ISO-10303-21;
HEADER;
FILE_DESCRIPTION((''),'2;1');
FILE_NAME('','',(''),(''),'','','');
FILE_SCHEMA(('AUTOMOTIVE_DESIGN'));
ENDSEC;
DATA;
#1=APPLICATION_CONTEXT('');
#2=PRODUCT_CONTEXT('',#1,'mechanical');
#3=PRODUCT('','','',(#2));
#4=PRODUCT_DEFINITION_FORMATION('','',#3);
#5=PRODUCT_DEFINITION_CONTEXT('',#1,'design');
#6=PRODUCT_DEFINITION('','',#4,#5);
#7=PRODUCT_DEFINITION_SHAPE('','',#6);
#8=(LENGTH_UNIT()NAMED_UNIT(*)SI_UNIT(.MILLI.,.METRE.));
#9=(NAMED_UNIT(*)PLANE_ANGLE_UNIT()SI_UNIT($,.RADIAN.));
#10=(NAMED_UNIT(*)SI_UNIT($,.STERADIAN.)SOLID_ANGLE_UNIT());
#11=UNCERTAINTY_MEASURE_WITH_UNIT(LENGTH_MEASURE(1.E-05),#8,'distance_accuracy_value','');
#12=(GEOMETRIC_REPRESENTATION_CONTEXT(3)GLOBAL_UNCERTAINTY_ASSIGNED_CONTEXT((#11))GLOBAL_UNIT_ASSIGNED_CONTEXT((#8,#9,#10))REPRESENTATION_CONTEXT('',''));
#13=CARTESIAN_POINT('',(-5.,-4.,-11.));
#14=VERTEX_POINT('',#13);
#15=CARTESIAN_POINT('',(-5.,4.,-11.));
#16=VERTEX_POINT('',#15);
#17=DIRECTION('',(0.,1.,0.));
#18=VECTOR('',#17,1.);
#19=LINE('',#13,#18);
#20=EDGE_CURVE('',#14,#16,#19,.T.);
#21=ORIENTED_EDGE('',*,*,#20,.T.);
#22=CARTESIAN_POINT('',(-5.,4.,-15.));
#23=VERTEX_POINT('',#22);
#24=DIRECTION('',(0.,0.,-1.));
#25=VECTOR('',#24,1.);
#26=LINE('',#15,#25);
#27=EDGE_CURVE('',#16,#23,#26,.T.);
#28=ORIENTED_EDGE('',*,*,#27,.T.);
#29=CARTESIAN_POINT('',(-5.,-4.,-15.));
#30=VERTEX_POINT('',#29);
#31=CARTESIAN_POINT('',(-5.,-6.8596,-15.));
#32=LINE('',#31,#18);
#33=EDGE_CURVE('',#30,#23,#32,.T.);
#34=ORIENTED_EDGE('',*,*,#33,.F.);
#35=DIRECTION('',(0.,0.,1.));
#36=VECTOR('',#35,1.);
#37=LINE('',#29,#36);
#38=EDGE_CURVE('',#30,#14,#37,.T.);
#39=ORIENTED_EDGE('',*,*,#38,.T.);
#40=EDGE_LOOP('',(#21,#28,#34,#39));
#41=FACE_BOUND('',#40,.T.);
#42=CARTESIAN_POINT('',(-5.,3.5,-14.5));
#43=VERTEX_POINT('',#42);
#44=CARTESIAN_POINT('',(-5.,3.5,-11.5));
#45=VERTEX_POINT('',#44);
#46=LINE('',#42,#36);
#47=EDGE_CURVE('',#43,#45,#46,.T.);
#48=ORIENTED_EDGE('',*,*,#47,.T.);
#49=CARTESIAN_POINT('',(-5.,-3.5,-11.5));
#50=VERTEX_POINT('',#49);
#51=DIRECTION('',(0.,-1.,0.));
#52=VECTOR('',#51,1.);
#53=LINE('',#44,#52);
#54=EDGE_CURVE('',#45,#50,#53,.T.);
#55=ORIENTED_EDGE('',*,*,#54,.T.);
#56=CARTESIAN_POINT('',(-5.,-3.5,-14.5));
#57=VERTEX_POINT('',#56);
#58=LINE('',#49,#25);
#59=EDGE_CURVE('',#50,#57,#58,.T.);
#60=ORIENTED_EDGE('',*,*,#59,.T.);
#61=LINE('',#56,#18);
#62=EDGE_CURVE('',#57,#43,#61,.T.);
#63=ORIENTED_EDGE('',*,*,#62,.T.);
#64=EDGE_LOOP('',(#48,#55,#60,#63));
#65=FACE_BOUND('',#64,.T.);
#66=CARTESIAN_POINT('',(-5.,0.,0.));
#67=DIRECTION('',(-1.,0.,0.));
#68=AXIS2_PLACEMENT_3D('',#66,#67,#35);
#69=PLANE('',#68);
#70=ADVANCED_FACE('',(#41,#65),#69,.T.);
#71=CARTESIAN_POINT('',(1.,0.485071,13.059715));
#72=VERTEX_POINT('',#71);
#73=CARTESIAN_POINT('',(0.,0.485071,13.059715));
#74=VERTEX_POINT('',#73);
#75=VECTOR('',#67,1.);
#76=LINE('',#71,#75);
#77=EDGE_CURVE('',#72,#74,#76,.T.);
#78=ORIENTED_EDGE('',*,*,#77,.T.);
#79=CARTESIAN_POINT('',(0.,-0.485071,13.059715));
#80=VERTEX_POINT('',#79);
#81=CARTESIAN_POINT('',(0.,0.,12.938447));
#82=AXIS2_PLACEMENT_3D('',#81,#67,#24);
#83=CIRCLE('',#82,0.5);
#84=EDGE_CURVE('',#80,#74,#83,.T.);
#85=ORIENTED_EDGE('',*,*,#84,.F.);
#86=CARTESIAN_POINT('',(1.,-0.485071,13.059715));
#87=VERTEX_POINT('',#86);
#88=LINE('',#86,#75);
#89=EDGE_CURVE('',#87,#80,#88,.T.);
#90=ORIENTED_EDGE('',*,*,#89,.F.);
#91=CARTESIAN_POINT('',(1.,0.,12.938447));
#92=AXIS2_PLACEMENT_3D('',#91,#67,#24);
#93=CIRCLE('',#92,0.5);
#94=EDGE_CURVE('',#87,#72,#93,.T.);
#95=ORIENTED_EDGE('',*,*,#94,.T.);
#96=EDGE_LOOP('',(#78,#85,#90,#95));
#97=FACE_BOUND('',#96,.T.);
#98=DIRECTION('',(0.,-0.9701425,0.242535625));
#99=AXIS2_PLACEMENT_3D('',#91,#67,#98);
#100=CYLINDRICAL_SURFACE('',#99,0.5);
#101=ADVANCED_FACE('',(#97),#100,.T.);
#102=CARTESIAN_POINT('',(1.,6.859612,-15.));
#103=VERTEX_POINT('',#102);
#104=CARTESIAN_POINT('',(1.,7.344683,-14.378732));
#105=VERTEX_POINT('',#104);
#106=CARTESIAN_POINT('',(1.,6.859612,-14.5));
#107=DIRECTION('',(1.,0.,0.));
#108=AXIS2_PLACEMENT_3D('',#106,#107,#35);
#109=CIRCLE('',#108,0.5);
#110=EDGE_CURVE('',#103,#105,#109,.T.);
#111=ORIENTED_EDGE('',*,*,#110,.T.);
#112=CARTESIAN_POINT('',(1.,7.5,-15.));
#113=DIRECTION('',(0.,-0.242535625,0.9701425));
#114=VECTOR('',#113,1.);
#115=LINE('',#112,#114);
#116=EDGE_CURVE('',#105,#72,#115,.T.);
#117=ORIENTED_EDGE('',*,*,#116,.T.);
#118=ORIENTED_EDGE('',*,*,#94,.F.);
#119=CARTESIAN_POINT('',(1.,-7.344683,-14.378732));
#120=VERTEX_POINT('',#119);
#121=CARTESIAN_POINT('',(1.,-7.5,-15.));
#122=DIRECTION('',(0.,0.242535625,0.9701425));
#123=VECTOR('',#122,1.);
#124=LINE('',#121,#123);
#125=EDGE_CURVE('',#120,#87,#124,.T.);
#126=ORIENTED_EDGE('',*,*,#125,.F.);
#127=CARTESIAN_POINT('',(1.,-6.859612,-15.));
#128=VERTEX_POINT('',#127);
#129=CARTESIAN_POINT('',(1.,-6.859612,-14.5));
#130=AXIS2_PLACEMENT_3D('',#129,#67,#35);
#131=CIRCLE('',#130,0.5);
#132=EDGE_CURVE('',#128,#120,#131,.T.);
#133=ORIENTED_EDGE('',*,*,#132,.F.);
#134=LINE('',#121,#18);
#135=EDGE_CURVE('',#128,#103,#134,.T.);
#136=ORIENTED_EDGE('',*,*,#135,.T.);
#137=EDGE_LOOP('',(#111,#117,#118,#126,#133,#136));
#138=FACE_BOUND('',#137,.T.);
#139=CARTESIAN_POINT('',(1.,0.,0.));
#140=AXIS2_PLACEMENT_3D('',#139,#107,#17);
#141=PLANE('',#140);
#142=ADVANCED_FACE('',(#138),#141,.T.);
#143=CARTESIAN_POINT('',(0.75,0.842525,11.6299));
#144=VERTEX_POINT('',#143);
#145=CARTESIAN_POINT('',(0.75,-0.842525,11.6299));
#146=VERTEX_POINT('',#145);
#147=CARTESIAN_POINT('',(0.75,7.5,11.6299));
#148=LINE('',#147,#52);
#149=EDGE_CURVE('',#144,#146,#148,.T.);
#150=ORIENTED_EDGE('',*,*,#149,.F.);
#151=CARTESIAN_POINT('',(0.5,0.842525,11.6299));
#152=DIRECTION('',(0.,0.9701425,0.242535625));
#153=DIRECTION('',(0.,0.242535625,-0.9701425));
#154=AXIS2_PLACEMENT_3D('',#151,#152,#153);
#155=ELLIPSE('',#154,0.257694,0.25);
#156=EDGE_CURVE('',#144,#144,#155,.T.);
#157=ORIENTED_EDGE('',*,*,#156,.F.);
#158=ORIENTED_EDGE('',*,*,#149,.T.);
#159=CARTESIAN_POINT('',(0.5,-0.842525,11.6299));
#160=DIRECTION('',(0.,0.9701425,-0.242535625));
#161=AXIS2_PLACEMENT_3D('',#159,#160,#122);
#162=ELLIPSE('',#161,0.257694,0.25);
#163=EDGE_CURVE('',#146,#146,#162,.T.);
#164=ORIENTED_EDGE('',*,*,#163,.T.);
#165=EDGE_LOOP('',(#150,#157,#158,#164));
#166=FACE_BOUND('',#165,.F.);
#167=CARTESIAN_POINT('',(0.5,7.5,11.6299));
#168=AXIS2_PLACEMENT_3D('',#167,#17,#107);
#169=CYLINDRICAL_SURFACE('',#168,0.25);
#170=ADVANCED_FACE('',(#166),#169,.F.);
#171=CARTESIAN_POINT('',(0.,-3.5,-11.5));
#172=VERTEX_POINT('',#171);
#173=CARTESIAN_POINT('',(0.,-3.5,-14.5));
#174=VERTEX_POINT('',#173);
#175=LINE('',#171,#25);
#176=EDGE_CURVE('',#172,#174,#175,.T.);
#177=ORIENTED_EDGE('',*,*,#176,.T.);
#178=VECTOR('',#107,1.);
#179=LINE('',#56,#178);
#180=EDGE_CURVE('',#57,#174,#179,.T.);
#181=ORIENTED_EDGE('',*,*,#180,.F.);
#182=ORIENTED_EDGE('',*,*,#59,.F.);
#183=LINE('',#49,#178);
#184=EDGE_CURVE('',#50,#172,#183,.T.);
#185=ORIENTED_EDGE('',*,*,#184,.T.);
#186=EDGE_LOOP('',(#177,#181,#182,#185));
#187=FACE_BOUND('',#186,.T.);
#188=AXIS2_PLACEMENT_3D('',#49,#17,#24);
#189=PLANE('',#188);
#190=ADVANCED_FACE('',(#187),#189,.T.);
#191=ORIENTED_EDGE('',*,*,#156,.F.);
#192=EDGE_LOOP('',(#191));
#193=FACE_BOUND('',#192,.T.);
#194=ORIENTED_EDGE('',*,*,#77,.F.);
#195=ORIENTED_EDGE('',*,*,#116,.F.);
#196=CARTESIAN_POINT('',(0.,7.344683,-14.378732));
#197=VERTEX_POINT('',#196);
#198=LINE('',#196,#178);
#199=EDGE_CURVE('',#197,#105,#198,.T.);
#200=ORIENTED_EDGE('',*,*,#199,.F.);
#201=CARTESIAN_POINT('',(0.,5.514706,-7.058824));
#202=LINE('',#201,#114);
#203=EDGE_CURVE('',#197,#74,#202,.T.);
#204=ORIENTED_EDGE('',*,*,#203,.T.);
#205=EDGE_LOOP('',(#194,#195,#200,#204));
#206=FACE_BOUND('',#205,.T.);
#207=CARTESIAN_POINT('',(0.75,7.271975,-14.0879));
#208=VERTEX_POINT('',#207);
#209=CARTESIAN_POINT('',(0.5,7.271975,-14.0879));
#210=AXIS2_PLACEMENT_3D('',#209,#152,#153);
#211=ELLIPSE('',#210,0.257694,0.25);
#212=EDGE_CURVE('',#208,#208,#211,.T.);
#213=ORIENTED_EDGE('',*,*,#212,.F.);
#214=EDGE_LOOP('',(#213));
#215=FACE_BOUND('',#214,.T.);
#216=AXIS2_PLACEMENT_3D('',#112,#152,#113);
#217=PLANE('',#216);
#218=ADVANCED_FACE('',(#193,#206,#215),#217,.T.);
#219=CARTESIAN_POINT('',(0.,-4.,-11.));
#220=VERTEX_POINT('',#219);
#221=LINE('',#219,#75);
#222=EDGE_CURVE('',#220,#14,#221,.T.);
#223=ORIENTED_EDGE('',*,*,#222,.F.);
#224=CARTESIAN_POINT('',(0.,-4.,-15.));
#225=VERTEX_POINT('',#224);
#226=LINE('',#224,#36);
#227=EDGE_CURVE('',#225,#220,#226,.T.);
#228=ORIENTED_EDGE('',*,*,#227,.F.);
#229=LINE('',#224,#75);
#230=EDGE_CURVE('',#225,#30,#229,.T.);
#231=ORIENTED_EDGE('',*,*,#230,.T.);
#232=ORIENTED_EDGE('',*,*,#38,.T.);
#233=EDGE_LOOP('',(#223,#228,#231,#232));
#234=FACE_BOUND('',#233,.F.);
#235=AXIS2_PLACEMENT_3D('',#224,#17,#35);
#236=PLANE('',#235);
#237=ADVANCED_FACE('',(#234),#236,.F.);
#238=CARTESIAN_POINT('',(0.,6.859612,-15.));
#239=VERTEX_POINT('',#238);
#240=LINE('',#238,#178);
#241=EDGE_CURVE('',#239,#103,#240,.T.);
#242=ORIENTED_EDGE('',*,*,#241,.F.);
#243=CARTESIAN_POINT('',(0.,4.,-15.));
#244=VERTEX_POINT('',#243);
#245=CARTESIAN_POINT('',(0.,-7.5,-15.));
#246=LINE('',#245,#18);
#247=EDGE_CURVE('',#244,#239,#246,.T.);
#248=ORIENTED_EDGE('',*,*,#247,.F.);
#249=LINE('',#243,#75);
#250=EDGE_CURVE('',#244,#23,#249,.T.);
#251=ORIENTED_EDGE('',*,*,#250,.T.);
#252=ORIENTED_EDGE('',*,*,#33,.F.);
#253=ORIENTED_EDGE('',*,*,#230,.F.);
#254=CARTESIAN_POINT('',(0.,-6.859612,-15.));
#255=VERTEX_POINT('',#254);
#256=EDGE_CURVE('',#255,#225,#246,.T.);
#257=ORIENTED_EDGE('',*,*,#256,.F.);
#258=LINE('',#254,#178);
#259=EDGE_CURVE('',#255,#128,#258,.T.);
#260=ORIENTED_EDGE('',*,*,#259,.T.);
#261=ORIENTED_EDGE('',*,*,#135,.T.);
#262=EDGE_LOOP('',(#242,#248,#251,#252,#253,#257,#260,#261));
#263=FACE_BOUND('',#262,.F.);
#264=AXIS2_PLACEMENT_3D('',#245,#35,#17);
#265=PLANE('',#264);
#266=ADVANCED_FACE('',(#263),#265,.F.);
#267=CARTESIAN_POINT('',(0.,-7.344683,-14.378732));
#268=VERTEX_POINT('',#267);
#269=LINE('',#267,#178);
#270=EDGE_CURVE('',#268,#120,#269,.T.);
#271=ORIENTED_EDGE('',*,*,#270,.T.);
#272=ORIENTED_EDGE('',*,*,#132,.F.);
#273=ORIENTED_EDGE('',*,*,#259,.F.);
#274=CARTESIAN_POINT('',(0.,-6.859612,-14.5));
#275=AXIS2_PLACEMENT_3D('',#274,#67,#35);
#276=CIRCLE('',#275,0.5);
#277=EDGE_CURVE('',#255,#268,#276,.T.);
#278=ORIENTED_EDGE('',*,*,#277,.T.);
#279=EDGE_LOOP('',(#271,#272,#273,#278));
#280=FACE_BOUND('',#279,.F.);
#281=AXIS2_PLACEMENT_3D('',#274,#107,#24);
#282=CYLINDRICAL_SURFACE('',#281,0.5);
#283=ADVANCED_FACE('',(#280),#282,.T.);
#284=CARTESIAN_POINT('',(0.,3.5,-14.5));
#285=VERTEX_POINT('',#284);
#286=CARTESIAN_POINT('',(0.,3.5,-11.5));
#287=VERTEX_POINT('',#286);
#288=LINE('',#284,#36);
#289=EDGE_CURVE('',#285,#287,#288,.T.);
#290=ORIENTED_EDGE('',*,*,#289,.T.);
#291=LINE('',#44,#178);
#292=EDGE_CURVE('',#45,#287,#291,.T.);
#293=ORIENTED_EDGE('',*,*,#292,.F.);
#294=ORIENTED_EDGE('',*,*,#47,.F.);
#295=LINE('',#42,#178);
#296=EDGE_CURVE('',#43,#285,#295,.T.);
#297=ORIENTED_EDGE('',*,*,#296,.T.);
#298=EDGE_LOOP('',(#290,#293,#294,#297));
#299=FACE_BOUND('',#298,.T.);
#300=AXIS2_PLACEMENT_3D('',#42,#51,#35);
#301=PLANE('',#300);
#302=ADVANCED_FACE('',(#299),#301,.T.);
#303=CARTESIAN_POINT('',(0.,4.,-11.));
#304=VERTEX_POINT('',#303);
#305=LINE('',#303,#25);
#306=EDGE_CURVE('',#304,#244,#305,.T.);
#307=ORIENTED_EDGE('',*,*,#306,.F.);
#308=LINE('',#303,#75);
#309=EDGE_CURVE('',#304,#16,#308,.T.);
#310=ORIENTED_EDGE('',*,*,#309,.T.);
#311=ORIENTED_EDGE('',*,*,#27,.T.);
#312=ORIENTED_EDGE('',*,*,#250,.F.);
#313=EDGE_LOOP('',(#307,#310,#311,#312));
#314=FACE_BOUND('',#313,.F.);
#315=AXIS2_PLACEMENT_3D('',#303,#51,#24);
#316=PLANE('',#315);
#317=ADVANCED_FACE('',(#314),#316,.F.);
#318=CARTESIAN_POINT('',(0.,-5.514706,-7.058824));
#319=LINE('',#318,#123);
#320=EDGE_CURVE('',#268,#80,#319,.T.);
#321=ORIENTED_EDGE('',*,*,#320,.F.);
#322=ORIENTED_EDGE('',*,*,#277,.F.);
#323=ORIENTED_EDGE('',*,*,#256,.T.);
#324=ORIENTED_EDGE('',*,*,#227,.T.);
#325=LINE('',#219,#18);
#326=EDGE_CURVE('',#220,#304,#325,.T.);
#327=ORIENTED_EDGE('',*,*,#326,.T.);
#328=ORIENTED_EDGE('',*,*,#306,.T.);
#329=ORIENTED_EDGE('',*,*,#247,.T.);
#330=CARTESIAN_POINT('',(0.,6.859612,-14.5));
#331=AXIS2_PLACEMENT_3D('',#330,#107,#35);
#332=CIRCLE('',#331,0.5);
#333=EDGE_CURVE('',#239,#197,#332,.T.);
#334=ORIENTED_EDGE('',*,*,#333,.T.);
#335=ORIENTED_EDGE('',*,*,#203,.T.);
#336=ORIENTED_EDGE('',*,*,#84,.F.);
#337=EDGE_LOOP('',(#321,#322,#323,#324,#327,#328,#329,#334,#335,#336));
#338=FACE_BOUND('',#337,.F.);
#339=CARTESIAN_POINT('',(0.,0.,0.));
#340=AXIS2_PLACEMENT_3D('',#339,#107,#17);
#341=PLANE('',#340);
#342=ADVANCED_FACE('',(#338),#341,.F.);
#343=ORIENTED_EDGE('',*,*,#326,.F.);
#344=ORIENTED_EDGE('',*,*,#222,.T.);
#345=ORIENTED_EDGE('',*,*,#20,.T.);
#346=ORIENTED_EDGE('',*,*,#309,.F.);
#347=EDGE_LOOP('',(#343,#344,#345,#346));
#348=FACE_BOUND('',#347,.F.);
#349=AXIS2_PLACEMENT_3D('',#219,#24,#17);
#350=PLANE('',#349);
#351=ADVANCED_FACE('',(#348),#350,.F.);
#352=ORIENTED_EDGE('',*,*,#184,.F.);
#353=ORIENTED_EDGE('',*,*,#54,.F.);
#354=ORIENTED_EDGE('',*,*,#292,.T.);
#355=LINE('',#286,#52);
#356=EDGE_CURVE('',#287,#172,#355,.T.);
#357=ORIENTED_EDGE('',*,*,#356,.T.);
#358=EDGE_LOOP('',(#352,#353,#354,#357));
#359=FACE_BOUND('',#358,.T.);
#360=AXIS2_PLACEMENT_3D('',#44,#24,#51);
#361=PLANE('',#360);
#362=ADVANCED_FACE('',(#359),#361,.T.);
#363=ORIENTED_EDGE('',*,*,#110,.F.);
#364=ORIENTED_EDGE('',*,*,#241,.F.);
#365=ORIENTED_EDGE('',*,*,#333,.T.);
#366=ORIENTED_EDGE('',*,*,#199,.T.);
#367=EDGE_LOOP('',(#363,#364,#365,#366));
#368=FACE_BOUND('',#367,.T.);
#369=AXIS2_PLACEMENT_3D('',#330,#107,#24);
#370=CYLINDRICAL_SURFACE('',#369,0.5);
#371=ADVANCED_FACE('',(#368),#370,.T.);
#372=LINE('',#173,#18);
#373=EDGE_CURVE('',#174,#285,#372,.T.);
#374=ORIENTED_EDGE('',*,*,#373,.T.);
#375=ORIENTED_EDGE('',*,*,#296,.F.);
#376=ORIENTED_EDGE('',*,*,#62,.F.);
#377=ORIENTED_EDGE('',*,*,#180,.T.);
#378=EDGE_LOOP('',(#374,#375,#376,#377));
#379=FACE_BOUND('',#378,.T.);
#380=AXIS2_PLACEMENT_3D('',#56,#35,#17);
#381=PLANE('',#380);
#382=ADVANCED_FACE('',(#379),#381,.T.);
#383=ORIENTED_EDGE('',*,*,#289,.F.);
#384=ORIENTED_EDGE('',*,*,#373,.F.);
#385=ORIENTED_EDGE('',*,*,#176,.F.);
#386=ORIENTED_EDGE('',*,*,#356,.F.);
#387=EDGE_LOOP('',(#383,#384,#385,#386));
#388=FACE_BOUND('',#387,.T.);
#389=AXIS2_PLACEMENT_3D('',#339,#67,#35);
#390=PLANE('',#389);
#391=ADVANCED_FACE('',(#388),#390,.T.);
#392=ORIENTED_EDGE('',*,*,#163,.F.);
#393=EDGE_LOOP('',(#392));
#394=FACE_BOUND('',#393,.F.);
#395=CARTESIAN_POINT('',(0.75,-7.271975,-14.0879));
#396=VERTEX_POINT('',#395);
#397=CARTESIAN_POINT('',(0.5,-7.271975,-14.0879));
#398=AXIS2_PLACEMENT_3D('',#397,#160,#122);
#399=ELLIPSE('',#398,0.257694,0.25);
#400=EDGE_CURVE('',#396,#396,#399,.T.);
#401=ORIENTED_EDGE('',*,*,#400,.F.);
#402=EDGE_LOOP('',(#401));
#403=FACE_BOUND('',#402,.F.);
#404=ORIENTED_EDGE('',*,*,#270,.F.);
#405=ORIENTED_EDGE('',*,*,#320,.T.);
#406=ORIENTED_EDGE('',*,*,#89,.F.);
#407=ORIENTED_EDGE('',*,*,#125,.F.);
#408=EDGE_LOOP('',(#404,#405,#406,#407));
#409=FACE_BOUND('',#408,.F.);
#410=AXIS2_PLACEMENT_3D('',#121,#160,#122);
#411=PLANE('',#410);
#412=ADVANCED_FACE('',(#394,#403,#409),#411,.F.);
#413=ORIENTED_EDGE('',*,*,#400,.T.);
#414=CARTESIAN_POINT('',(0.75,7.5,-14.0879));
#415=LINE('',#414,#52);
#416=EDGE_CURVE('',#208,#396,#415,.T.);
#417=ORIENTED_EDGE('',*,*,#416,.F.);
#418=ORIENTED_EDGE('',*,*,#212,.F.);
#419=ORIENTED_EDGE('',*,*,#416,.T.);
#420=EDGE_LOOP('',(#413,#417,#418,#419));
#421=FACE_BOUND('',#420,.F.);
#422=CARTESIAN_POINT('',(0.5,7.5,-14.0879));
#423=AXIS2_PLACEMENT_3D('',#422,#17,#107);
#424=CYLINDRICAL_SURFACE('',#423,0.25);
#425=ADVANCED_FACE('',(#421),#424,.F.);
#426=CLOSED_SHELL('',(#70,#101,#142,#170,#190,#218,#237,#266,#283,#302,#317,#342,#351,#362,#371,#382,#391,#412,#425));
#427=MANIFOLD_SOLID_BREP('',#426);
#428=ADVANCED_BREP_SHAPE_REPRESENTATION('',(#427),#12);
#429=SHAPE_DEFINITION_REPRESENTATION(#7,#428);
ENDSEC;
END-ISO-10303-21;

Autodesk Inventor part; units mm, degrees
ref_plane "YZ Plane" through (0, 0, 0) normal (1, 0, 0) x (0, 1, 0)
ref_plane "XZ Plane" through (0, 0, 0) normal (0, 1, 0) x (-1, 0, 0)
ref_plane "XY Plane" through (0, 0, 0) normal (0, 0, 1) x (1, 0, 0)
sketch "Sketch1" plane through (0, 0, 0) normal (1, 0, 0) x (0, 1, 0)
  line L0 (7.5, 15) -> (-7.5, 15)
  line L1 (-7.5, 15) -> (-7.5, -15)
  line L2 (-7.5, -15) -> (7.5, -15)
  line L3 (7.5, -15) -> (7.5, 15)
  point P0 (0, 0)
  dimension "d0" = 30
  dimension "d1" = 15
  dimension "d2" = 7.5
  dimension "d3" = 15
extrude "Extrusion1" add sketch "Sketch1" along normal blind 1
sketch "Sketch2" plane through (0, 7.5, 15) normal (0, 1, 0) x (1, 0, 0)
  circle A0 centre (0.5, 3.3701) radius 0.25
  circle A1 centre (0.5, 29.0879) radius 0.25
  line L0 (0, 30) -> (0, 0) projected
  point P0 (0, 15)
  dimension "d6" = 0.5
  dimension "d7" = 0.5
  dimension "d8" = 0.5
  dimension "d9" = 0.5
extrude "Extrusion2" cut sketch "Sketch2" against normal blind 20
sketch "Sketch3" plane through (1, 0, 0) normal (1, 0, 0) x (0, 0, -1)
  line L0 (15, 7.5) -> (-15, 0)
  line L1 (-15, 7.5) -> (-15, -7.5) projected
  line L2 (-15, -7.5) -> (15, -7.5) projected
  line L3 (15, -7.5) -> (-15, 0)
  point P0 (0, 0)
extrude "Extrusion3" cut sketch "Sketch3" against normal blind 20
sketch "Sketch4" plane through (1, 0, 0) normal (1, 0, 0) x (0, 0, -1)
  line L0 (-15, 0) -> (15, -7.5) projected
  line L1 (15, 7.5) -> (-15, 0)
  line L2 (-15, 7.5) -> (-15, 0) projected
  line L3 (-15, 0) -> (-15, 7.5)
  line L4 (-15, 7.5) -> (15, 7.5)
  point P0 (0, 0)
extrude "Extrusion4" cut sketch "Sketch4" against normal blind 20
fillet "Fillet1" radius 0.5 3 edges at (0.5, 0, 15) (0.5, 7.5, -15) (0.5, -7.5, -15)
sketch "Sketch5" plane through (0, 0, 0) normal (-1, 0, 0) x (0, 0, 1)
  line L0 (-15, -6.8596) -> (-15, 6.8596) projected
  line L1 (-15, -4) -> (-11, -4)
  line L2 (-11, -4) -> (-11, 4)
  line L3 (-11, 4) -> (-15, 4)
  line L4 (-15, 4) -> (-15, -4)
  line L5 (-14.5, -3.5) -> (-11.5, -3.5)
  line L6 (-11.5, -3.5) -> (-11.5, 3.5)
  line L7 (-11.5, 3.5) -> (-14.5, 3.5)
  line L8 (-14.5, 3.5) -> (-14.5, -3.5)
  point P0 (0, 0)
  dimension "d17" = 8
  dimension "d18" = 4
  dimension "d19" = 4
  dimension "d20" = 7
  dimension "d21" = 3
  dimension "d22" = 0.5
  dimension "d23" = 0.5
extrude "Extrusion5" add sketch "Sketch5" along normal blind 5 contours L0 L3 L2 L1 | L8 L7 L6 L5
sketch "Sketch6" plane through (-5, 0, 0) normal (-1, 0, 0) x (0, 0, 1)
  line L0 (-11.5, -3.5) -> (-14.5, -3.5)
  line L1 (-14.5, -3.5) -> (-14.5, 3.5)
  line L2 (-14.5, 3.5) -> (-11.5, 3.5)
  line L3 (-11.5, 3.5) -> (-11.5, -3.5)
  line L4 (-11, -4) -> (-11, 4) projected
  line L5 (-15, -4) -> (-11, -4) projected
  point P0 (0, 0)
  dimension "d26" = 7
  dimension "d27" = 3
  dimension "d28" = 0.5
  dimension "d29" = 0.5
extrude "Extrusion6" cut sketch "Sketch6" against normal blind 5
equation "\"BendRadius\" = Thickness"
equation "\"BendReliefWidth\" = Thickness"
equation "\"BendReliefDepth\" = 0.5 * Thickness"
equation "\"CornerReliefSize\" = 4 * Thickness"
equation "\"MinimumRemnant\" = 2 * Thickness"
equation "\"TransitionRadius\" = BendRadius"
equation "\"JacobiRadiusSize\" = BendRadius"
equation "\"GapSize\" = Thickness"
equation "\"Thickness\" = 0.5"
properties part number "ت مهمه 3"
